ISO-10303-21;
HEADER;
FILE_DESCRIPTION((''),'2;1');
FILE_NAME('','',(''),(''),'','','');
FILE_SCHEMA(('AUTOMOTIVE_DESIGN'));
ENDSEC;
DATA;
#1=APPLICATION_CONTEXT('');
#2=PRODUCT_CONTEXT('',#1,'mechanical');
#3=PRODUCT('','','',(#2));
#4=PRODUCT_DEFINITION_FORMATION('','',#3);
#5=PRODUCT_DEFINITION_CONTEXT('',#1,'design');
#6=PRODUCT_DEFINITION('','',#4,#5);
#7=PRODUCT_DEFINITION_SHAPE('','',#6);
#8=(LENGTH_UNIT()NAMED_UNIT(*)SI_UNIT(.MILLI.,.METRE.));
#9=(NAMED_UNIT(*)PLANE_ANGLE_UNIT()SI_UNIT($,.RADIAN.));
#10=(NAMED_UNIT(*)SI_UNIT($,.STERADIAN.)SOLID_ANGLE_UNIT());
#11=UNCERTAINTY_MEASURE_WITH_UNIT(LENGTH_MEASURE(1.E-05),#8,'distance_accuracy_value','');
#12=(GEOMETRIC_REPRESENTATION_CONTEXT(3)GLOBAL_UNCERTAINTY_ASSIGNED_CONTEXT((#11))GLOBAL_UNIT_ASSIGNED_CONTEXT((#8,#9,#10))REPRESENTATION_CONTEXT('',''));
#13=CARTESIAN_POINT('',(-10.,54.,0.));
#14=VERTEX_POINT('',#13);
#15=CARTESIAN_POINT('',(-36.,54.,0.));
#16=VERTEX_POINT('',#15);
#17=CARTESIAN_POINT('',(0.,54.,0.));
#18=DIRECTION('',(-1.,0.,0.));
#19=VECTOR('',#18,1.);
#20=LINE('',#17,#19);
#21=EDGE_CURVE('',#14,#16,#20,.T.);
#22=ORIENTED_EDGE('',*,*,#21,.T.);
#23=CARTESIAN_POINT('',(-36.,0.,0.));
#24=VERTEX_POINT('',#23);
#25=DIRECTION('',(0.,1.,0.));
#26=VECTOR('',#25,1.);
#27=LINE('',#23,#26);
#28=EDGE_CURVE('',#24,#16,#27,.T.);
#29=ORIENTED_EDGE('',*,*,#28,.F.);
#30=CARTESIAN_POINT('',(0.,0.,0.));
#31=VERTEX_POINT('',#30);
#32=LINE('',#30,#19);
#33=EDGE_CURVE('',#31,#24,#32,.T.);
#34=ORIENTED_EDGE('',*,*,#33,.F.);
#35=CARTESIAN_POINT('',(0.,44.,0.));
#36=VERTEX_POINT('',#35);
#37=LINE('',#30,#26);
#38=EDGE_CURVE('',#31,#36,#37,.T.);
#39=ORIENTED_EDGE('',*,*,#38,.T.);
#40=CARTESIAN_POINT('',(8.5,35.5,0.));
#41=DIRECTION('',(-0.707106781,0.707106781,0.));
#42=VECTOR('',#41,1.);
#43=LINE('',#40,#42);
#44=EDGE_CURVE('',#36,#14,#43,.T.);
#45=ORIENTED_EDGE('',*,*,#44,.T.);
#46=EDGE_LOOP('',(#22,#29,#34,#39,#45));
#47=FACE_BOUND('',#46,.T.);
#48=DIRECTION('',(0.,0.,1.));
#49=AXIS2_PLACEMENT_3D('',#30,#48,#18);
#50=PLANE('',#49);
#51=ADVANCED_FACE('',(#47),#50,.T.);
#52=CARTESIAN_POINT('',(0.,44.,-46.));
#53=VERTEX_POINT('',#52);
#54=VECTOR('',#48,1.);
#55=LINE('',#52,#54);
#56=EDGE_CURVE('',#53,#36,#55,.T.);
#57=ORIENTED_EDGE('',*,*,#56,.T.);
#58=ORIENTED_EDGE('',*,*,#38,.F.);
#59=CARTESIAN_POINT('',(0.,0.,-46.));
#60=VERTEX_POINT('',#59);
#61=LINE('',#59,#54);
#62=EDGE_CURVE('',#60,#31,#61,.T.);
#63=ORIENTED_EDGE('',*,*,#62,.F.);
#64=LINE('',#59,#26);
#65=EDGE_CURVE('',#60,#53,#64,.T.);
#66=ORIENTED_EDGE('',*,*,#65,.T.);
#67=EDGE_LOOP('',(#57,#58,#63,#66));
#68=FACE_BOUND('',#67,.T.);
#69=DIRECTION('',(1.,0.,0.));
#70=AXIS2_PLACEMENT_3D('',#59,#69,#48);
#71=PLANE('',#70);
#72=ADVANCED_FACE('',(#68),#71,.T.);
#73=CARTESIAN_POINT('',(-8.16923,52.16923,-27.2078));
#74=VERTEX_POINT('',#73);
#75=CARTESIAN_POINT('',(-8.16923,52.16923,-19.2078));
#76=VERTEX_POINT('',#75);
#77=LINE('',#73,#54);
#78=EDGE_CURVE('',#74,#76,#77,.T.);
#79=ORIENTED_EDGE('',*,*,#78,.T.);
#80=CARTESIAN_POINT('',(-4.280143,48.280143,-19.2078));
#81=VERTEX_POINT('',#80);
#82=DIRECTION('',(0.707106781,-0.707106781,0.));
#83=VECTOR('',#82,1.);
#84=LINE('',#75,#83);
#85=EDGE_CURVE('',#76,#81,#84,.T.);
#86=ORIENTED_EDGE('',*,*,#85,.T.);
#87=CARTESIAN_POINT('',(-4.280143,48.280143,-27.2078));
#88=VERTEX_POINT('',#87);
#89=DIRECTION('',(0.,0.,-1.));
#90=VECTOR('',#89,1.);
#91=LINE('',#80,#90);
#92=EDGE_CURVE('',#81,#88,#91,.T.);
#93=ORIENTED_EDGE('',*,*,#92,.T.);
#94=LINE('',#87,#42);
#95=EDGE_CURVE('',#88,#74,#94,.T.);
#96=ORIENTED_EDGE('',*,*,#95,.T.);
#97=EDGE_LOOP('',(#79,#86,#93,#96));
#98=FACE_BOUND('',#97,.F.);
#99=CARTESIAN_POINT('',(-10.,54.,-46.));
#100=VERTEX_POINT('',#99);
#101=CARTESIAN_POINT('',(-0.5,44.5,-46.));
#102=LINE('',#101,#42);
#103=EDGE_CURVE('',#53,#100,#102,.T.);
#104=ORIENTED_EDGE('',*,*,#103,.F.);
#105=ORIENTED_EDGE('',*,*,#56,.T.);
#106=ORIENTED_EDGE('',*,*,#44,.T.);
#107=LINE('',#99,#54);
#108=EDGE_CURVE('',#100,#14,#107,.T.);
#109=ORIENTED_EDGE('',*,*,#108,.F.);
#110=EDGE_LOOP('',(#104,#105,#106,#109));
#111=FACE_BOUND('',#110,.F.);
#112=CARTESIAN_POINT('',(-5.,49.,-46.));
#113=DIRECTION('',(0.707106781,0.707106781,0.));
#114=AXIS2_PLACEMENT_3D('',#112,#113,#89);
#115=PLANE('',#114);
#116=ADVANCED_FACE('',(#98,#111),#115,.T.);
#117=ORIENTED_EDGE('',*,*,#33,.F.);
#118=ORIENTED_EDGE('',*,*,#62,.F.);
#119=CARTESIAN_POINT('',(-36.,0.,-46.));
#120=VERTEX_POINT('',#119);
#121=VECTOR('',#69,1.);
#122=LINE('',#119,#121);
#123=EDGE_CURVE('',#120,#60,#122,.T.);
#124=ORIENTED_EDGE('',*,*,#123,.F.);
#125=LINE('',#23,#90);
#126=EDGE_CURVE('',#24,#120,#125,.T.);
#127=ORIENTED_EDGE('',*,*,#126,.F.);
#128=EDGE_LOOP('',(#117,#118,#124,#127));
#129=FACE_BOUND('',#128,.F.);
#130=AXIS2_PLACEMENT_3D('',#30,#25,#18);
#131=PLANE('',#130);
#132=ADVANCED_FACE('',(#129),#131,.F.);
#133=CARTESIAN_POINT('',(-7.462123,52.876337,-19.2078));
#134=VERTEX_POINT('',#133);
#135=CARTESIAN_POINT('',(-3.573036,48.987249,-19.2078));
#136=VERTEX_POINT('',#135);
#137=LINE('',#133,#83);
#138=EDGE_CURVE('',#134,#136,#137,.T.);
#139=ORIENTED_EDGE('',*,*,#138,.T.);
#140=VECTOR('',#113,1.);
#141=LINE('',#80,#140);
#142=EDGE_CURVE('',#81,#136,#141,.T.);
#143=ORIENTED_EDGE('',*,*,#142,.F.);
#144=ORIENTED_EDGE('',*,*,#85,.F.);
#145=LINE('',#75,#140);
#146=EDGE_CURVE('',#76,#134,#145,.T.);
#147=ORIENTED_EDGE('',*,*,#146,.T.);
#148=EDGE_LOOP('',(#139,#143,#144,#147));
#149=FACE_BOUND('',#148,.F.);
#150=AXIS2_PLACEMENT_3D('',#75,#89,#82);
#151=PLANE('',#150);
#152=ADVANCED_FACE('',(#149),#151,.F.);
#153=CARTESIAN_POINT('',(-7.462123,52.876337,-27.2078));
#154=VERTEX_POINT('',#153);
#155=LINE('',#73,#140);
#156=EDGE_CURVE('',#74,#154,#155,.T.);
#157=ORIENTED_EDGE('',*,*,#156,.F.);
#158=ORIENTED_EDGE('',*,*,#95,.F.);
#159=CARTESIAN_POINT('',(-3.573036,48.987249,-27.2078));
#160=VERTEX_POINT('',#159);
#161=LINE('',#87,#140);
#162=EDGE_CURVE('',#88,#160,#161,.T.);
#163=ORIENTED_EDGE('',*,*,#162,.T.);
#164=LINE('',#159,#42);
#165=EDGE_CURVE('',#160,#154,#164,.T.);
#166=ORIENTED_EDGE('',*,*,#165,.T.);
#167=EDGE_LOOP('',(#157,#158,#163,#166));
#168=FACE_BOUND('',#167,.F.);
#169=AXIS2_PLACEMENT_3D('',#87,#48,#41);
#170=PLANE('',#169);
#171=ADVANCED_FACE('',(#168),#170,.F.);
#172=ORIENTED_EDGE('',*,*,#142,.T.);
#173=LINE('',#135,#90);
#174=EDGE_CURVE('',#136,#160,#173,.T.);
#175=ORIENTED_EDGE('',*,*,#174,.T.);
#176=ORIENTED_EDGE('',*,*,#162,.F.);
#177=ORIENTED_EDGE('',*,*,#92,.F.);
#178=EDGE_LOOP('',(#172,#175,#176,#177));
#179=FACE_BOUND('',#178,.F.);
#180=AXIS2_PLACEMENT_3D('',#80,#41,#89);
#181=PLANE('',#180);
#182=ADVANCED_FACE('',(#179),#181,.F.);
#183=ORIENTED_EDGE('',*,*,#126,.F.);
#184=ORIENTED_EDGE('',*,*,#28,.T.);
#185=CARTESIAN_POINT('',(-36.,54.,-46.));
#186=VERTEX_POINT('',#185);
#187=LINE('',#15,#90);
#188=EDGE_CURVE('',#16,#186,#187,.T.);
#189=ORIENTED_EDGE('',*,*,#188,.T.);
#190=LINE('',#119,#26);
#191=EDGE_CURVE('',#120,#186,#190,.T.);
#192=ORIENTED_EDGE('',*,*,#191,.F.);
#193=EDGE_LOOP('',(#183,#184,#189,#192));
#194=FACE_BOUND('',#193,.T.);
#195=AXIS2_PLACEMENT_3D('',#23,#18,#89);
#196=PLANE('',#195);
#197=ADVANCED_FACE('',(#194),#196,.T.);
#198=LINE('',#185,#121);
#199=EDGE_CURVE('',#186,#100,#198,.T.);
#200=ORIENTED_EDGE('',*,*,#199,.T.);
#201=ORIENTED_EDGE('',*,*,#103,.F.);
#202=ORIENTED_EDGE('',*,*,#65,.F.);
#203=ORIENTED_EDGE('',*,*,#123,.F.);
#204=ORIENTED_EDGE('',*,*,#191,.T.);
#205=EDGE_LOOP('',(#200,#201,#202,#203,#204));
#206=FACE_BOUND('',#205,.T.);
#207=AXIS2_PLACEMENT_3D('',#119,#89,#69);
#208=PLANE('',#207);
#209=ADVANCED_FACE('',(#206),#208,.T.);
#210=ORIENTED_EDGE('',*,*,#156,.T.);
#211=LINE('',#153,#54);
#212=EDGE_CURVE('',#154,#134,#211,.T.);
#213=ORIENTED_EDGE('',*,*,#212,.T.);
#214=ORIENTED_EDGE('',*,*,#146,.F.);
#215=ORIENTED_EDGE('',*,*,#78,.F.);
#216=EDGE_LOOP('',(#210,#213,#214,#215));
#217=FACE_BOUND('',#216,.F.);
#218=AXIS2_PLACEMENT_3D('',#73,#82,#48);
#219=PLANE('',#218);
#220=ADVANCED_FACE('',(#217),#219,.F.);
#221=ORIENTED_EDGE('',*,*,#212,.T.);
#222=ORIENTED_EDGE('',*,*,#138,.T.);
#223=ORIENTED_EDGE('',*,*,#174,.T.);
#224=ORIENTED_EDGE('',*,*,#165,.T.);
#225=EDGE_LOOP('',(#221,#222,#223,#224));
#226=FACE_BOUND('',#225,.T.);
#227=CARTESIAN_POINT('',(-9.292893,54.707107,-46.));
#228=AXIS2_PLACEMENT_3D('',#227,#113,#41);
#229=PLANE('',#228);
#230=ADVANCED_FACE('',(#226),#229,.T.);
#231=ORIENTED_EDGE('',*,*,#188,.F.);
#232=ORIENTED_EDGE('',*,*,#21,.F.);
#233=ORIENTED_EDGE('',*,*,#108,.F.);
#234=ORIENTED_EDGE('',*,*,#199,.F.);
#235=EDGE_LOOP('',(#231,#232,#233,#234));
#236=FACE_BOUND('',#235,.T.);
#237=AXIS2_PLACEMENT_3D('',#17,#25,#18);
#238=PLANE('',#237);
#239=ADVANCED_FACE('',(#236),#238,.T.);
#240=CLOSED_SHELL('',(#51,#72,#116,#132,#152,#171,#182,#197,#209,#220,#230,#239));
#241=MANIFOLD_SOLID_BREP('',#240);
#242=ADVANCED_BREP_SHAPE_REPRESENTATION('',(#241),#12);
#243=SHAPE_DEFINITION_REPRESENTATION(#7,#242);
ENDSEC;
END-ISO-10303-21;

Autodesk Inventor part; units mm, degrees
ref_plane "YZ Plane" through (0, 0, 0) normal (1, 0, 0) x (0, 1, 0)
ref_plane "XZ Plane" through (0, 0, 0) normal (0, 1, 0) x (-1, 0, 0)
ref_plane "XY Plane" through (0, 0, 0) normal (0, 0, 1) x (1, 0, 0)
sketch "Sketch1" plane through (0, 0, 0) normal (0, 1, 0) x (-1, 0, 0)
  line L0 (0, 0) -> (36, 0)
  line L1 (36, 0) -> (36, -46)
  line L2 (36, -46) -> (0, -46)
  line L3 (0, -46) -> (0, 0)
  dimension "d0" = 46
  dimension "d1" = 36
extrude "Extrusion1" add sketch "Sketch1" along normal blind 54
chamfer "Chamfer1" distance 10 angle 45 1 edges at (0, 54, -23)
sketch "Sketch2" plane through (-36, 0, 0) normal (0, 0, 1) x (1, 0, 0)
  point P0 (36, 0)
sketch "Sketch3" plane through (-10, 54, -46) normal (0.7071, 0.7071, 0) x (-0.7071, 0.7071, 0)
  line L0 (-2.5891, 26.7922) -> (-8.0891, 26.7922)
  line L1 (-8.0891, 26.7922) -> (-8.0891, 18.7922)
  line L2 (-8.0891, 18.7922) -> (-2.5891, 18.7922)
  line L3 (-2.5891, 18.7922) -> (-2.5891, 26.7922)
  line L4 (-19.799, 46) -> (18.3848, 46) projected
  point P0 (-45.2548, 46)
  dimension "d7" = 8
  dimension "d8" = 5.5
extrude "Extrusion2" add sketch "Sketch3" along normal blind 1
sketch "Sketch4" plane through (-10, 54, -46) normal (0.7071, 0.7071, 0) x (-0.7071, 0.7071, 0)
  point P0 (-45.2548, 46)
sketch "Sketch5" plane through (-36, 0, 0) normal (0, 0, 1) x (1, 0, 0)
  point P0 (36, 0)
properties part number "Ventilator"
